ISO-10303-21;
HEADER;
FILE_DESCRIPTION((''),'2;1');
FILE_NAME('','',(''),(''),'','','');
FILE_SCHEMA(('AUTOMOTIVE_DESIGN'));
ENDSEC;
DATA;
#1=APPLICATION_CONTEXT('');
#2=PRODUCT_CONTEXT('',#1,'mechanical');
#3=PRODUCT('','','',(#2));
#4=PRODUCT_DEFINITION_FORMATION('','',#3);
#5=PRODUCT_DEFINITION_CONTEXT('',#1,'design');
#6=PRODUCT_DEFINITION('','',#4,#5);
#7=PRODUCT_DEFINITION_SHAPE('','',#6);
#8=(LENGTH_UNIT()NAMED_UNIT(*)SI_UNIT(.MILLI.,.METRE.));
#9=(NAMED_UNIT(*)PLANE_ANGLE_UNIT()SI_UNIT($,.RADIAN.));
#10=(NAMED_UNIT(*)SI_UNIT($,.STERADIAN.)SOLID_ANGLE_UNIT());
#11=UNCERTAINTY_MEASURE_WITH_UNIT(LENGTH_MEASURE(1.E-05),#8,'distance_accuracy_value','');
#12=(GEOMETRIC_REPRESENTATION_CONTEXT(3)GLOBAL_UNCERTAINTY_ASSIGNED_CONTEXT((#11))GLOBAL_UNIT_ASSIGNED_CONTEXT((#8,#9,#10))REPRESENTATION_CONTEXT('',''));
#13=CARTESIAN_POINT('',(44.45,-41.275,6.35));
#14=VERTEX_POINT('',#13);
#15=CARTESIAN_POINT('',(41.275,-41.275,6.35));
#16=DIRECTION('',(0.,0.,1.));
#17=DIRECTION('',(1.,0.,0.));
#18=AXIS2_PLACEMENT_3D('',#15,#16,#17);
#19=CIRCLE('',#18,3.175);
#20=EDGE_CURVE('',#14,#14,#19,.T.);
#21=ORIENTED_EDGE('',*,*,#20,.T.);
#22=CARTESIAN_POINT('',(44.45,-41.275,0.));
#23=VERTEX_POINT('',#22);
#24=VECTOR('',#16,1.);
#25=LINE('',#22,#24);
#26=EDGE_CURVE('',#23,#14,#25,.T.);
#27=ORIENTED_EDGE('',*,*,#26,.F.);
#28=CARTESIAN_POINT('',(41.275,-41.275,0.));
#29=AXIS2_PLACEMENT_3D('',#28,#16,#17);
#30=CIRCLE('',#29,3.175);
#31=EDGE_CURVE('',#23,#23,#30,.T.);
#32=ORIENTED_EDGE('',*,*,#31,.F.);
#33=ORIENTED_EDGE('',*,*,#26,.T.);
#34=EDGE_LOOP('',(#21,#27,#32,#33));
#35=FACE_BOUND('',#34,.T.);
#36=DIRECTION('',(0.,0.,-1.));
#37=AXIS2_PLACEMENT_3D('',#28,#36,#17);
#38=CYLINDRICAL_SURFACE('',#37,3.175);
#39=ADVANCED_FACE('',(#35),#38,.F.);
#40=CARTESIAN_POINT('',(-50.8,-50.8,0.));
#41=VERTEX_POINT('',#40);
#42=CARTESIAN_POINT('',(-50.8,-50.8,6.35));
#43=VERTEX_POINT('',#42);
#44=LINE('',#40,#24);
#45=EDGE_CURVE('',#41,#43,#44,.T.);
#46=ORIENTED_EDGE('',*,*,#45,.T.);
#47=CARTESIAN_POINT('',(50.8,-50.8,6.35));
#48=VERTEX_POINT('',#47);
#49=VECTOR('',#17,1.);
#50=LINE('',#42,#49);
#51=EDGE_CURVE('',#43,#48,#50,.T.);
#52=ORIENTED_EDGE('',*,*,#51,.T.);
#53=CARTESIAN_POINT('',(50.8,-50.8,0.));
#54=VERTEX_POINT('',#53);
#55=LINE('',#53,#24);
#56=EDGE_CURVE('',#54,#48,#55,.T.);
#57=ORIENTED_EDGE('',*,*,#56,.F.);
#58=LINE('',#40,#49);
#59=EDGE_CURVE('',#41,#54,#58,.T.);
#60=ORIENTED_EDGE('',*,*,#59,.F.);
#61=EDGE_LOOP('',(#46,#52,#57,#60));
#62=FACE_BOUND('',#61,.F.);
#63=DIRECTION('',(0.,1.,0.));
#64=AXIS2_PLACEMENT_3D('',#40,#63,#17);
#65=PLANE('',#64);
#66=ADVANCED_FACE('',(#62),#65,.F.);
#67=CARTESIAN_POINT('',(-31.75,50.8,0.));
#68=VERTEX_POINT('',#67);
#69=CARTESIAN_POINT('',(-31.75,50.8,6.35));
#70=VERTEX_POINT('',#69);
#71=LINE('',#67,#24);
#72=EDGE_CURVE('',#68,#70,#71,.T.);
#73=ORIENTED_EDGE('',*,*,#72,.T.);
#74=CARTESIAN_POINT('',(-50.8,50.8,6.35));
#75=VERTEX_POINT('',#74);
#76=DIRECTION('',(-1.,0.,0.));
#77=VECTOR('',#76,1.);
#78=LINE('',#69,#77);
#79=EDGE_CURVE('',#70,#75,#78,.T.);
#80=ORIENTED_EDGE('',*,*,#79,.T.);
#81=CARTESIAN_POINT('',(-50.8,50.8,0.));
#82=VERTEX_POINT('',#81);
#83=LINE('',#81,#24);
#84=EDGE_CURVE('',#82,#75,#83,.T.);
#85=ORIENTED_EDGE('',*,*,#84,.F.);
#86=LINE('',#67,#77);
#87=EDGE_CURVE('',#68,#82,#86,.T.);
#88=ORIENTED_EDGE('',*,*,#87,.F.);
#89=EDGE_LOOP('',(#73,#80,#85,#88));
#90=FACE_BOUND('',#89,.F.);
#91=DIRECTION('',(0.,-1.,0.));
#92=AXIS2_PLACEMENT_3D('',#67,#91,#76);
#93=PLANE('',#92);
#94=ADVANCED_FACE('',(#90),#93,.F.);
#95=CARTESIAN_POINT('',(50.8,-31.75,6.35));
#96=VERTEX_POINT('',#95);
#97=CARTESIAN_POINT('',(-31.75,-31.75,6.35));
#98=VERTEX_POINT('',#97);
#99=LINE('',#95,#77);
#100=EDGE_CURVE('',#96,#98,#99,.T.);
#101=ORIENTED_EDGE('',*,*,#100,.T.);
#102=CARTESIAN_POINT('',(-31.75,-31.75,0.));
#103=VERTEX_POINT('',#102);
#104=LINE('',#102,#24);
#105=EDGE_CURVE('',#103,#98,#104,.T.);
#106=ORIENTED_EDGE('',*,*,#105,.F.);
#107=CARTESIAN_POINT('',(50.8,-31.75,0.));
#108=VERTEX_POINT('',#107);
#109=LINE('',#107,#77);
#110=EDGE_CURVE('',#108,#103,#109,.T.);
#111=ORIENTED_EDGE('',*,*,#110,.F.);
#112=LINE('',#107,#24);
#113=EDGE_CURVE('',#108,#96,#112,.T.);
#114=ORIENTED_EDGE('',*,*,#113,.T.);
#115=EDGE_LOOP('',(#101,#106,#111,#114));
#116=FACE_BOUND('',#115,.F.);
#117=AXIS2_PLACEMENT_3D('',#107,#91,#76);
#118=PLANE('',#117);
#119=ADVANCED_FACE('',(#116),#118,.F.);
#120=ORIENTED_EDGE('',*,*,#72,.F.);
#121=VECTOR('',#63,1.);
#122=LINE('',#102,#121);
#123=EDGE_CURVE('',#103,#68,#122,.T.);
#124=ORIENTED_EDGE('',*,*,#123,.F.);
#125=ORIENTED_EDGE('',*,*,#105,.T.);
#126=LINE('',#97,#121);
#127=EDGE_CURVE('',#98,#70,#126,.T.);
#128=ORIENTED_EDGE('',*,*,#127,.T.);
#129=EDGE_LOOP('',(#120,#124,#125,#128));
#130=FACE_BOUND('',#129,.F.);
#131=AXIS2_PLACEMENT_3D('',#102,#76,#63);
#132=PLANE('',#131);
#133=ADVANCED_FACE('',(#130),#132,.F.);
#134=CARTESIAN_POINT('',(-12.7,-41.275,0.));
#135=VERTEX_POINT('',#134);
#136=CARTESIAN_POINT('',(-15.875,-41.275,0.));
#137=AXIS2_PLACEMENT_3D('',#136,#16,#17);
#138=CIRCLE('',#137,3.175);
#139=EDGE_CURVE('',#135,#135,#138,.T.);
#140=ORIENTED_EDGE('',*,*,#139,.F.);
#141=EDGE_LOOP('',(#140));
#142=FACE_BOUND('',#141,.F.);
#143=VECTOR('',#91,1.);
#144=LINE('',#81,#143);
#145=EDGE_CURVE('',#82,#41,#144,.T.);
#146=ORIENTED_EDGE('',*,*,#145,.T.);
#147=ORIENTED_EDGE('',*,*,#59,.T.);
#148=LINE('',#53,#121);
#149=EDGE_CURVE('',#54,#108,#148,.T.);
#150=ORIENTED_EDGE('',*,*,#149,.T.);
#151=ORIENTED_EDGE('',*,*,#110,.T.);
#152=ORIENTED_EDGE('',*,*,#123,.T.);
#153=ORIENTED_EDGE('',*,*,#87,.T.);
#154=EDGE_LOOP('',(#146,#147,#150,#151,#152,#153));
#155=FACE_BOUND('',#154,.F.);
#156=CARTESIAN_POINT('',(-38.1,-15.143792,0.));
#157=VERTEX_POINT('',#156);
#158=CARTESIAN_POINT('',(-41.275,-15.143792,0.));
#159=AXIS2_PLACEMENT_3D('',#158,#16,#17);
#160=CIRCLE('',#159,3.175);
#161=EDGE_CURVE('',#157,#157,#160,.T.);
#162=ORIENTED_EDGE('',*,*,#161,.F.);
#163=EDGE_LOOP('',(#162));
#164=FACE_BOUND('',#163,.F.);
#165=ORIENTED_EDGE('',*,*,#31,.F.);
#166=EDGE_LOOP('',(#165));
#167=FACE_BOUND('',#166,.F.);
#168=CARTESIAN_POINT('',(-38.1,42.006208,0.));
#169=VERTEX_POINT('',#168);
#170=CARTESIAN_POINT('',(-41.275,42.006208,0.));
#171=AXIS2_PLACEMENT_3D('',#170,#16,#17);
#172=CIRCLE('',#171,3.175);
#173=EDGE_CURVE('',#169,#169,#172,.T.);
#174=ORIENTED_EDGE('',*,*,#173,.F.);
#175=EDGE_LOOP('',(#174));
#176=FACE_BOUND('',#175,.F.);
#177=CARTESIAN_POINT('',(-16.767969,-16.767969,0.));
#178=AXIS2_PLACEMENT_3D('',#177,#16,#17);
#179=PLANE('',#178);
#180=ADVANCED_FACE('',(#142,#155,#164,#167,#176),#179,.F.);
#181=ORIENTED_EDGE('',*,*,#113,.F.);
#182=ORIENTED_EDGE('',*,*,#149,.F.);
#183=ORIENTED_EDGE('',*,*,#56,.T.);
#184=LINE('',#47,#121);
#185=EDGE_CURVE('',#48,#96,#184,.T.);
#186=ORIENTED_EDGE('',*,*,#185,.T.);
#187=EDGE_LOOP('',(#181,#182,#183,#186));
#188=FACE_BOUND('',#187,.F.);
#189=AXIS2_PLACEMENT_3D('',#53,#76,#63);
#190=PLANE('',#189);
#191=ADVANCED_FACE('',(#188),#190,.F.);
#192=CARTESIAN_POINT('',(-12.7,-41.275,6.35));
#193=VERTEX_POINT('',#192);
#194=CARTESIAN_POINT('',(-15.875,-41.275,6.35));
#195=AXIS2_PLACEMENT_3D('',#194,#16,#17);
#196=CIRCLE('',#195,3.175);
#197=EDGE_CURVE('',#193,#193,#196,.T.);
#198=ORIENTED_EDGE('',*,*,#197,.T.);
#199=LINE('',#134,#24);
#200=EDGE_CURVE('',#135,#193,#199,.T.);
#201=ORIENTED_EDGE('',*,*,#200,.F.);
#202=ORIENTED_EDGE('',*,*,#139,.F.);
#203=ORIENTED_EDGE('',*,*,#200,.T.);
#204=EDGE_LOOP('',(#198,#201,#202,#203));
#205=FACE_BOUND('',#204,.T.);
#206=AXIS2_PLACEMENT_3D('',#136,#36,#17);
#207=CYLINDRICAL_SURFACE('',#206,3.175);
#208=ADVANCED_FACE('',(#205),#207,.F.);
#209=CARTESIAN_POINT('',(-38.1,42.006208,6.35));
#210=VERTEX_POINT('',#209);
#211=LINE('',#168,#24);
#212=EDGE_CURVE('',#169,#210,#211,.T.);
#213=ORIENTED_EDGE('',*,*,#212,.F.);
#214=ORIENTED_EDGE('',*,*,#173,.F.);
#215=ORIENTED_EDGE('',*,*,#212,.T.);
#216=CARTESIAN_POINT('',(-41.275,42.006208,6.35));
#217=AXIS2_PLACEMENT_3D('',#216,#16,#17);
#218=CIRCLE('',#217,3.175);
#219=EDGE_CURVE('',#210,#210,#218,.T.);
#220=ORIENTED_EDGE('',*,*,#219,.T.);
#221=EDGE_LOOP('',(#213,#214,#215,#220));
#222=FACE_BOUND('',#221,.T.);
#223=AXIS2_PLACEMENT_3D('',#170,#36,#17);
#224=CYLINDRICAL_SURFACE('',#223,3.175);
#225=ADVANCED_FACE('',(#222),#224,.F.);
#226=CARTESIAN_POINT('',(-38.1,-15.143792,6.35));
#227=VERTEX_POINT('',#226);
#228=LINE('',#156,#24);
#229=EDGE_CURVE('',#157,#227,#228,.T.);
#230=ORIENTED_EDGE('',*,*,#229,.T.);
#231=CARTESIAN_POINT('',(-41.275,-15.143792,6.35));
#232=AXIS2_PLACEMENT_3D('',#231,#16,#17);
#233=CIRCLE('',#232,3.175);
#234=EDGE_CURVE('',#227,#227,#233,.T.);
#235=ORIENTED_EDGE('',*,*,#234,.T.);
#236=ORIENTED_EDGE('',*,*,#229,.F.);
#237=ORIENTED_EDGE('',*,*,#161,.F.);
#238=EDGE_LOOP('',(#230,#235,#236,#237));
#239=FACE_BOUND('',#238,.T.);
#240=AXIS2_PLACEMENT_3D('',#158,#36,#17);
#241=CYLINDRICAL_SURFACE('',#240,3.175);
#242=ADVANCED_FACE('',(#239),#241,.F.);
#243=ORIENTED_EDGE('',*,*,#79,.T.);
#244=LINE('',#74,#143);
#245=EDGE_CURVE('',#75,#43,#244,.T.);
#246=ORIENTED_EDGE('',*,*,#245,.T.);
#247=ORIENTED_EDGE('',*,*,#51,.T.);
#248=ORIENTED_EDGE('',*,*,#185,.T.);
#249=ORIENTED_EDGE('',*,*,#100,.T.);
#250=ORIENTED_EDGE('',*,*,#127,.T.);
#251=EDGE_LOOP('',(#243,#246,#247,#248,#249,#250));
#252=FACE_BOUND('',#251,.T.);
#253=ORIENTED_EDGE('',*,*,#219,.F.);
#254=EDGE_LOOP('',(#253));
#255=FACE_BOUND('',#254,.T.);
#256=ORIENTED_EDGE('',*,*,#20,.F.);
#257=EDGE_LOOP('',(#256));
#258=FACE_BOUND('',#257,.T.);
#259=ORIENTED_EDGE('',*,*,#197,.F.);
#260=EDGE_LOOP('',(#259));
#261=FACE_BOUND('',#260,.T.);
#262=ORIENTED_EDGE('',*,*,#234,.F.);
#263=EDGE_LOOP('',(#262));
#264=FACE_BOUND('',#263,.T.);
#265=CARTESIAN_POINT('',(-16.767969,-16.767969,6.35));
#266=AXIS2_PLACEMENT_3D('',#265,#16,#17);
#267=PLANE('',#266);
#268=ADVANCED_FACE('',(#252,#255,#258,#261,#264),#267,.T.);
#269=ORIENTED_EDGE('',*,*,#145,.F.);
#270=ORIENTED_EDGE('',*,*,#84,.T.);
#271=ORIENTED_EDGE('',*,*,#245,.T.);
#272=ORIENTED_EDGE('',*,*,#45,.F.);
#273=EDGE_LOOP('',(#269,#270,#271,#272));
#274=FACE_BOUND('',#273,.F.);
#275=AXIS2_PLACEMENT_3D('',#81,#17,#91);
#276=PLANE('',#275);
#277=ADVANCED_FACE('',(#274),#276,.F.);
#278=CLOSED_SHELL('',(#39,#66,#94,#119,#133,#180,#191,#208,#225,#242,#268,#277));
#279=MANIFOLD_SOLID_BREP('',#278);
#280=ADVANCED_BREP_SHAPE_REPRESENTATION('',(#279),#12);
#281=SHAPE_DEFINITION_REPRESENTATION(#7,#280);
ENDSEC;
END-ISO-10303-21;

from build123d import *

# Parameters (mm, degrees)
F0_R     = 3.175
F1_DEPTH = 6.35


with BuildPart() as f1:
    # F0 (on Top) → F1 (new body)
    with BuildSketch(Plane.XY):
        Polygon((-31.75, 50.8), (-50.8, 50.8), (-50.8, -50.8), (50.8, -50.8), (50.8, -31.75), (-31.75, -31.75), align=None)
        with Locations((-15.875, -41.275)):
            Circle(F0_R, mode=Mode.SUBTRACT)
        with Locations((-41.275, -15.143792145)):
            Circle(F0_R, mode=Mode.SUBTRACT)
        with Locations((41.275, -41.275)):
            Circle(F0_R, mode=Mode.SUBTRACT)
        with Locations((-41.275, 42.006207855)):
            Circle(F0_R, mode=Mode.SUBTRACT)
    extrude(amount=F1_DEPTH)


solid = f1.part
